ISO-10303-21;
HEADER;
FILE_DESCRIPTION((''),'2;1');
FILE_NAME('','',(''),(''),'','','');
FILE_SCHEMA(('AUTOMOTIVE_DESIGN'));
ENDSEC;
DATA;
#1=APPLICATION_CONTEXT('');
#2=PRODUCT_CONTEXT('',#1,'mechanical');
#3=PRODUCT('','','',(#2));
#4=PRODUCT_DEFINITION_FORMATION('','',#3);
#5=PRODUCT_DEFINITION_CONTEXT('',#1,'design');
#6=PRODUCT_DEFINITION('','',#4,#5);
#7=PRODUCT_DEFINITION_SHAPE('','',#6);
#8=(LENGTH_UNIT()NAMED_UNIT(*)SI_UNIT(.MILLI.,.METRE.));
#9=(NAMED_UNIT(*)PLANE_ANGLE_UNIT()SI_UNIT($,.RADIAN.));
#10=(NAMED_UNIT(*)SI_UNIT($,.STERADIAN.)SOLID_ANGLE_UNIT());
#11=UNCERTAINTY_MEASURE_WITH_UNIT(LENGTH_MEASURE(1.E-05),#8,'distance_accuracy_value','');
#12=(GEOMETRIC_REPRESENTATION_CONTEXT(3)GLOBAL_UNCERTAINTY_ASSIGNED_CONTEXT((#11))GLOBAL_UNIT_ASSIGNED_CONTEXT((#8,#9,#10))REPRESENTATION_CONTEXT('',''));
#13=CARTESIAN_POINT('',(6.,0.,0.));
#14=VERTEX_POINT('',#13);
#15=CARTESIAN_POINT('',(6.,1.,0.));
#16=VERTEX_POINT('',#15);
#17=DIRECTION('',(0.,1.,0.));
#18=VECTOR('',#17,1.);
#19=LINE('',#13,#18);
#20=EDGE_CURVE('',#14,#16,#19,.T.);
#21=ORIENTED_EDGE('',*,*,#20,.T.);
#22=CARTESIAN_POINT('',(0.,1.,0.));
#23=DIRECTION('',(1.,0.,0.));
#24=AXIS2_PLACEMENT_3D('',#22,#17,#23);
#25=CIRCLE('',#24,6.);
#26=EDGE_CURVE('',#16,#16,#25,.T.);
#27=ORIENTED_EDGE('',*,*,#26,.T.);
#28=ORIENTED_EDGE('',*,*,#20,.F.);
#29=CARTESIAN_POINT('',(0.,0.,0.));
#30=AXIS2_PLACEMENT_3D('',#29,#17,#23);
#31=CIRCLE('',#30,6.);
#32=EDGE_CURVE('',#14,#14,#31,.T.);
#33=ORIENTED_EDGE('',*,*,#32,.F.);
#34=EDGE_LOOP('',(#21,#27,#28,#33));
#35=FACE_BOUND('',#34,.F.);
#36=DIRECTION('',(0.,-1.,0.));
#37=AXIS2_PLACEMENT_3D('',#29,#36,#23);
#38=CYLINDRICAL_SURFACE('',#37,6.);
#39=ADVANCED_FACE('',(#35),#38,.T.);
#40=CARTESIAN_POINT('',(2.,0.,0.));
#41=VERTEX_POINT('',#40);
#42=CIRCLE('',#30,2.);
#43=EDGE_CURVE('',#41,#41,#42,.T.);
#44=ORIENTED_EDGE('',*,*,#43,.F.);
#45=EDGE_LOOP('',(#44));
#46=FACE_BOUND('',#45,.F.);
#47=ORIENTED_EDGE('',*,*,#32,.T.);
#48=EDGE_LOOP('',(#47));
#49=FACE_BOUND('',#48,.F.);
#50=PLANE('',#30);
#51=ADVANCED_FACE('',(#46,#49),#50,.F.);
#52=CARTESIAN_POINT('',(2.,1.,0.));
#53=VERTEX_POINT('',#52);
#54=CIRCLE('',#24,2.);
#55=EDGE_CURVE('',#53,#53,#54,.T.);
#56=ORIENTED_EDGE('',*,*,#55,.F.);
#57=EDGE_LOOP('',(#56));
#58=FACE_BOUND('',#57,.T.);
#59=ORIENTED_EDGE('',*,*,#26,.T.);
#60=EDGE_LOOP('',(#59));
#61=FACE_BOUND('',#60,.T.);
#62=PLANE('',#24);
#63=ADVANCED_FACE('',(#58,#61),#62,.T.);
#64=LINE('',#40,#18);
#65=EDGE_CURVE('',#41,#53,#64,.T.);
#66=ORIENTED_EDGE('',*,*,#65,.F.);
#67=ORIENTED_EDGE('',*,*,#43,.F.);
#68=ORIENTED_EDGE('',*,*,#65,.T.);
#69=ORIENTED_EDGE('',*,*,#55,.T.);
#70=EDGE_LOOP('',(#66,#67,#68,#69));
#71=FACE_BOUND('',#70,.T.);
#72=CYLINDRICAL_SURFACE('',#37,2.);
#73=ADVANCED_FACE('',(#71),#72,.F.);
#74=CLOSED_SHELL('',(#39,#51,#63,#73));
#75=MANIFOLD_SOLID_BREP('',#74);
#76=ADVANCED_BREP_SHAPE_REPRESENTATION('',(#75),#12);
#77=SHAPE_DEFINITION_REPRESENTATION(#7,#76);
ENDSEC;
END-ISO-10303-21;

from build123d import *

# Parameters (mm, degrees)
SKETCH_1_R      = 6
SKETCH_1_R_2    = 2
EXTRUDE_1_DEPTH = 1


with BuildPart() as part:
    # Эскиз1 → Бобышка-Вытянуть1 (new body)
    with BuildSketch(Plane(origin=(0, 0, 0), x_dir=(1, 0, 0), z_dir=(0, 1, 0))):
        Circle(SKETCH_1_R)
        Circle(SKETCH_1_R_2, mode=Mode.SUBTRACT)
    extrude(amount=EXTRUDE_1_DEPTH)


solid = part.part
